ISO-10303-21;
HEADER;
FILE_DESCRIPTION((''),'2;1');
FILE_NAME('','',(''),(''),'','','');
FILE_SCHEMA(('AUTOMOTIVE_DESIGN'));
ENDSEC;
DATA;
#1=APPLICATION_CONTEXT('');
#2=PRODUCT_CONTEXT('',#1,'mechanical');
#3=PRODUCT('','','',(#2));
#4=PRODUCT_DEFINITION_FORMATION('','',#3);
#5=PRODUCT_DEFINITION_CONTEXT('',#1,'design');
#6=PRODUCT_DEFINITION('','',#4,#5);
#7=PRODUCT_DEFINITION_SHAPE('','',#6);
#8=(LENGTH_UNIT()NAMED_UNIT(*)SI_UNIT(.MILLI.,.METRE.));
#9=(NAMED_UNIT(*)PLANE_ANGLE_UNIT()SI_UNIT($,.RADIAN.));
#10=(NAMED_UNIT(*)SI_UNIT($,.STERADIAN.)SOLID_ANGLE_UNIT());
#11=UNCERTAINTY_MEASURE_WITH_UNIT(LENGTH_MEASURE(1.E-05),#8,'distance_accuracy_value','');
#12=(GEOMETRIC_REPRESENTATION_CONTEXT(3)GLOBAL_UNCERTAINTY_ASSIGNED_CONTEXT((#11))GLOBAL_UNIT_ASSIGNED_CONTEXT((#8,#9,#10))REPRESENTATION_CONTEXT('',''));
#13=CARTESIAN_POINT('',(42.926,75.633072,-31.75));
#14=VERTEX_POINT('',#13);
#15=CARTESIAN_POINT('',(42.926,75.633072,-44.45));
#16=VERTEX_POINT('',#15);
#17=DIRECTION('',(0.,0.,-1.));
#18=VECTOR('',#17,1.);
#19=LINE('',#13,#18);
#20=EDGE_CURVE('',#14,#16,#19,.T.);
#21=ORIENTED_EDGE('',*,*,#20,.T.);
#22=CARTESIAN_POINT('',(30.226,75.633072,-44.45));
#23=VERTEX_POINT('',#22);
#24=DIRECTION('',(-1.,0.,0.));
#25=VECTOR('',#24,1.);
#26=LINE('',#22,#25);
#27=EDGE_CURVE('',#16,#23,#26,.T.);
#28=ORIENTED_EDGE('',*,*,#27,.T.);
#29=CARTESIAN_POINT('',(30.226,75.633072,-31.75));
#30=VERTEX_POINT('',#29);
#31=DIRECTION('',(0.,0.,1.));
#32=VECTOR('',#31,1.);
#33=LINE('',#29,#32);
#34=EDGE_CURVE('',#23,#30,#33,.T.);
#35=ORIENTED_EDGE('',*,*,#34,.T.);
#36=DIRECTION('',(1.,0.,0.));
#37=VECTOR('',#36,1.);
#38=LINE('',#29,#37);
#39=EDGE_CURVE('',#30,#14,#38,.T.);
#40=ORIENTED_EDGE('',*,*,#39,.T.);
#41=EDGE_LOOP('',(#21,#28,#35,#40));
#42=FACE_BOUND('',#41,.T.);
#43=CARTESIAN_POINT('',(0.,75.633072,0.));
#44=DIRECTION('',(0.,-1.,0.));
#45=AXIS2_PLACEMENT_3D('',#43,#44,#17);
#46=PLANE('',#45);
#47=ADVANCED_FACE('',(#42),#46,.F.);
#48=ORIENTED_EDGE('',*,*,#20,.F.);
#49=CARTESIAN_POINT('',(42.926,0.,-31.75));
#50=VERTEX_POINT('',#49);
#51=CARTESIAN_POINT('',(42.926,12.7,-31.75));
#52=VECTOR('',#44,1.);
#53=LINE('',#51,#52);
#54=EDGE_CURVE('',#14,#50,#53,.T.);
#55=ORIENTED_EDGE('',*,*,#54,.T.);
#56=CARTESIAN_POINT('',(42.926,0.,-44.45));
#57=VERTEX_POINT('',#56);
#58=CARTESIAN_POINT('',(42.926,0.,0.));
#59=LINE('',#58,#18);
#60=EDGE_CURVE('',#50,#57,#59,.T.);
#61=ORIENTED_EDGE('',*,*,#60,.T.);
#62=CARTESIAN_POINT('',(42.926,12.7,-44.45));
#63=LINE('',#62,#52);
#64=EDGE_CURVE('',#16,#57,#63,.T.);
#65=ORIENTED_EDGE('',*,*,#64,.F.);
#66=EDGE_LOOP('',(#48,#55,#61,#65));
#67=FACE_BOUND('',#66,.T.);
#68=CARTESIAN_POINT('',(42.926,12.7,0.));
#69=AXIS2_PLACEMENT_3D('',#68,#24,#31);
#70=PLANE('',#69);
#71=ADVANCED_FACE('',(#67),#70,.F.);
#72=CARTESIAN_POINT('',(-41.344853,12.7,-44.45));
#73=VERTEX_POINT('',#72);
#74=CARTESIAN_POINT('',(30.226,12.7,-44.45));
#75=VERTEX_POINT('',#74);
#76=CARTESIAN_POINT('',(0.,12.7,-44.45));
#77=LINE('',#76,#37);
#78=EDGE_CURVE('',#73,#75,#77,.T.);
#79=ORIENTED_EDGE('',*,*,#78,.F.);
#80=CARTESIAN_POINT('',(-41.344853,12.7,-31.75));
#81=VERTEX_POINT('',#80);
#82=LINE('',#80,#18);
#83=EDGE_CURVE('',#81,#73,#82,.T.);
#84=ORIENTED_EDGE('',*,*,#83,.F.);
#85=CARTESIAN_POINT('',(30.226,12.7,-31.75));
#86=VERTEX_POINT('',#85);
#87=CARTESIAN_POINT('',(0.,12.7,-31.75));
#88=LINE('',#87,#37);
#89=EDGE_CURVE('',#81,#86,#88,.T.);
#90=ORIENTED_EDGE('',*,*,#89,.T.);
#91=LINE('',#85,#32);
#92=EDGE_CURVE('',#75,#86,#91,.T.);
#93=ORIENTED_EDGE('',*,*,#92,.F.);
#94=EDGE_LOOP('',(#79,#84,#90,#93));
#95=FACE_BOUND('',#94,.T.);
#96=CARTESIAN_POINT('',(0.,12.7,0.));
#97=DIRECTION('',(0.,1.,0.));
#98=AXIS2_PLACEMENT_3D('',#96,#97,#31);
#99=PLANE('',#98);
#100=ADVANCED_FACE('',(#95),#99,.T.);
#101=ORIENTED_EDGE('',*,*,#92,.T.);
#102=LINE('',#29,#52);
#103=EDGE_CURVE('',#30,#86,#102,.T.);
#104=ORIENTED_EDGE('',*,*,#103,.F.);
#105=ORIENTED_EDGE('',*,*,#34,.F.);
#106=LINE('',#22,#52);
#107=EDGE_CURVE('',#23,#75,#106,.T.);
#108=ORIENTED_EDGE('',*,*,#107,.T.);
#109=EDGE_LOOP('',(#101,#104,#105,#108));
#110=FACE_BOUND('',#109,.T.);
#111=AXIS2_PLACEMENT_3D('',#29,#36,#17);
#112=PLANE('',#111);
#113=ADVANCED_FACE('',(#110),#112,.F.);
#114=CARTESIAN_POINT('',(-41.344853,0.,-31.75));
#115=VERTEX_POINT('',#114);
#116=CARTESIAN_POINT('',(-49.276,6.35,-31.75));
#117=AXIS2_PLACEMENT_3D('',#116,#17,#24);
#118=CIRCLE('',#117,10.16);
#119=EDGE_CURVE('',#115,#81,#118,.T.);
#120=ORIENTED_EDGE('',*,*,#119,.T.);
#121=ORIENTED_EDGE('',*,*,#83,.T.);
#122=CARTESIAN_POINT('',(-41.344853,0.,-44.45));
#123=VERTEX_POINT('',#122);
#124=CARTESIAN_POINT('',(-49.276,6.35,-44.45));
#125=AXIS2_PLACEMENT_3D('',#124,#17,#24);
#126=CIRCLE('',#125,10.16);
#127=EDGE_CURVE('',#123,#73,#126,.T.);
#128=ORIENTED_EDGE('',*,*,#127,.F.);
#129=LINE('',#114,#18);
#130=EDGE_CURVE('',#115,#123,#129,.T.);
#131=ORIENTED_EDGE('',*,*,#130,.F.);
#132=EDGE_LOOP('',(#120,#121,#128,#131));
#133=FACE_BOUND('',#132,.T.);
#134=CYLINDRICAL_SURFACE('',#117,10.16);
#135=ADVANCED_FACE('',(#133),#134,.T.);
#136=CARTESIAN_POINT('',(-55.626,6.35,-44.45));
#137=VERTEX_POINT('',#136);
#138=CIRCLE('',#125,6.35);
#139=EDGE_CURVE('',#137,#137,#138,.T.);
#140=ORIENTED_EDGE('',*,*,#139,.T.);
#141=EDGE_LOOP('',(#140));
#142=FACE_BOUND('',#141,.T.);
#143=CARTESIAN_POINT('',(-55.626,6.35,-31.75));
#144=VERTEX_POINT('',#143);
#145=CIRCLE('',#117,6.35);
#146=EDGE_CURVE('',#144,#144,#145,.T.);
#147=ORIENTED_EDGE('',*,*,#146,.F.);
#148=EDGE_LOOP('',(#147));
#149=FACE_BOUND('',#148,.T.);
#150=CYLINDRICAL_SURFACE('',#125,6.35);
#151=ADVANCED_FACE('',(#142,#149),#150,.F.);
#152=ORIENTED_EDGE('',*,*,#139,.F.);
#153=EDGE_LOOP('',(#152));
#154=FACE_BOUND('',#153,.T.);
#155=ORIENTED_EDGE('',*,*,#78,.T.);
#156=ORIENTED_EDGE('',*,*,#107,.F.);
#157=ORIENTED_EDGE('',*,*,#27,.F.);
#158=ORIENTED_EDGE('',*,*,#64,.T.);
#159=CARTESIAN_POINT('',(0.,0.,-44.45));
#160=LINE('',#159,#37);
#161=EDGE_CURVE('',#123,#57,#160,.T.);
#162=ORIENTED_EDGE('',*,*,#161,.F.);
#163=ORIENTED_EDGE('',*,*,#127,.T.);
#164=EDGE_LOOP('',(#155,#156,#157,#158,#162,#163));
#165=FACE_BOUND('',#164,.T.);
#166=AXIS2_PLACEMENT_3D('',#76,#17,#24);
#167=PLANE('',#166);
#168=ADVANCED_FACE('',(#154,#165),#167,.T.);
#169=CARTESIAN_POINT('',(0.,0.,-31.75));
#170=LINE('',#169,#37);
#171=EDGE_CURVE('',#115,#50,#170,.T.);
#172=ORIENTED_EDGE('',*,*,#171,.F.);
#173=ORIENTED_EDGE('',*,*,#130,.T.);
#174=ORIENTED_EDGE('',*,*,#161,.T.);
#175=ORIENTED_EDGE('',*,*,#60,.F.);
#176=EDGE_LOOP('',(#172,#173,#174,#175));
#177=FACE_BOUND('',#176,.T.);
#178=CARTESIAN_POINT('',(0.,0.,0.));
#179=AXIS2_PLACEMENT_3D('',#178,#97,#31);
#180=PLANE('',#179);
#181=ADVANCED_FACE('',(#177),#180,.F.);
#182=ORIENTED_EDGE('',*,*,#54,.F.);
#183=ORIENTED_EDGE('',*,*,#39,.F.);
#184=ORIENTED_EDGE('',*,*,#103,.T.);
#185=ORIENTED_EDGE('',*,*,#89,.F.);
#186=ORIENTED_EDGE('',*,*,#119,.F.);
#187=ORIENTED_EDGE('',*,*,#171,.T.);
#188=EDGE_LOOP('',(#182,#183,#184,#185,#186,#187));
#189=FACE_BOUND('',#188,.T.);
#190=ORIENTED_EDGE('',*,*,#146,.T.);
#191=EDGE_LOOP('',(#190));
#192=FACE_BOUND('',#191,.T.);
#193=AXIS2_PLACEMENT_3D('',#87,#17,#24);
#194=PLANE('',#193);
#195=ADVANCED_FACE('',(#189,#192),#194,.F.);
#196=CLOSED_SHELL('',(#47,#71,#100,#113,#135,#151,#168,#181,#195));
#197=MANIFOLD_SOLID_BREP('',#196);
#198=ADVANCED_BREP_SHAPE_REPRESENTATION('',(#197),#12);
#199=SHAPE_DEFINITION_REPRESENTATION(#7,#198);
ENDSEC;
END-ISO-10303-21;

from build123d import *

# Parameters (mm, degrees)
SKETCH1_W                  = 85.852
SKETCH1_H                  = 12.7
BOSS_EXTRUDE1_DEPTH        = 12.7
SKETCH9_W                  = 12.7
SKETCH9_H                  = 12.7
BOSS_EXTRUDE2_DEPTH        = 62.933072
SKETCH10_R                 = 10.16
BOSS_EXTRUDE3_DEPTH        = 12.7
F_1_2_0_5_DIAMETER_HOLE1_D = 12.7


with BuildPart() as part:
    # Sketch1 → Boss-Extrude1 (new body)
    with BuildSketch(Plane(origin=(0, 0, 0), x_dir=(1, 0, 0), z_dir=(0, 1, 0))):
        with Locations((0, 38.1)):
            Rectangle(SKETCH1_W, SKETCH1_H)
    extrude(amount=BOSS_EXTRUDE1_DEPTH)

    # Sketch9 → Boss-Extrude2 (add)
    with BuildSketch(Plane(origin=(0, 12.7, 0), x_dir=(1, 0, 0), z_dir=(0, 1, 0))):
        with Locations((36.576, 38.1)):
            Rectangle(SKETCH9_W, SKETCH9_H)
    extrude(amount=BOSS_EXTRUDE2_DEPTH)

    # Sketch10 → Boss-Extrude3 (add)
    with BuildSketch(Plane(origin=(0, 0, -44.45), x_dir=(-1, 0, 0), z_dir=(0, 0, -1))):
        with Locations((49.276, 6.35)):
            Circle(SKETCH10_R)
    extrude(amount=-BOSS_EXTRUDE3_DEPTH)

    # 1/2 (0.5) Diameter Hole1 (through all)
    with Locations(Plane(origin=(-49.276, 6.35, -44.45), x_dir=(-1, 0, 0), z_dir=(0, 0, -1))):
        with Locations((0, 0)):
            Hole(F_1_2_0_5_DIAMETER_HOLE1_D / 2)


solid = part.part
